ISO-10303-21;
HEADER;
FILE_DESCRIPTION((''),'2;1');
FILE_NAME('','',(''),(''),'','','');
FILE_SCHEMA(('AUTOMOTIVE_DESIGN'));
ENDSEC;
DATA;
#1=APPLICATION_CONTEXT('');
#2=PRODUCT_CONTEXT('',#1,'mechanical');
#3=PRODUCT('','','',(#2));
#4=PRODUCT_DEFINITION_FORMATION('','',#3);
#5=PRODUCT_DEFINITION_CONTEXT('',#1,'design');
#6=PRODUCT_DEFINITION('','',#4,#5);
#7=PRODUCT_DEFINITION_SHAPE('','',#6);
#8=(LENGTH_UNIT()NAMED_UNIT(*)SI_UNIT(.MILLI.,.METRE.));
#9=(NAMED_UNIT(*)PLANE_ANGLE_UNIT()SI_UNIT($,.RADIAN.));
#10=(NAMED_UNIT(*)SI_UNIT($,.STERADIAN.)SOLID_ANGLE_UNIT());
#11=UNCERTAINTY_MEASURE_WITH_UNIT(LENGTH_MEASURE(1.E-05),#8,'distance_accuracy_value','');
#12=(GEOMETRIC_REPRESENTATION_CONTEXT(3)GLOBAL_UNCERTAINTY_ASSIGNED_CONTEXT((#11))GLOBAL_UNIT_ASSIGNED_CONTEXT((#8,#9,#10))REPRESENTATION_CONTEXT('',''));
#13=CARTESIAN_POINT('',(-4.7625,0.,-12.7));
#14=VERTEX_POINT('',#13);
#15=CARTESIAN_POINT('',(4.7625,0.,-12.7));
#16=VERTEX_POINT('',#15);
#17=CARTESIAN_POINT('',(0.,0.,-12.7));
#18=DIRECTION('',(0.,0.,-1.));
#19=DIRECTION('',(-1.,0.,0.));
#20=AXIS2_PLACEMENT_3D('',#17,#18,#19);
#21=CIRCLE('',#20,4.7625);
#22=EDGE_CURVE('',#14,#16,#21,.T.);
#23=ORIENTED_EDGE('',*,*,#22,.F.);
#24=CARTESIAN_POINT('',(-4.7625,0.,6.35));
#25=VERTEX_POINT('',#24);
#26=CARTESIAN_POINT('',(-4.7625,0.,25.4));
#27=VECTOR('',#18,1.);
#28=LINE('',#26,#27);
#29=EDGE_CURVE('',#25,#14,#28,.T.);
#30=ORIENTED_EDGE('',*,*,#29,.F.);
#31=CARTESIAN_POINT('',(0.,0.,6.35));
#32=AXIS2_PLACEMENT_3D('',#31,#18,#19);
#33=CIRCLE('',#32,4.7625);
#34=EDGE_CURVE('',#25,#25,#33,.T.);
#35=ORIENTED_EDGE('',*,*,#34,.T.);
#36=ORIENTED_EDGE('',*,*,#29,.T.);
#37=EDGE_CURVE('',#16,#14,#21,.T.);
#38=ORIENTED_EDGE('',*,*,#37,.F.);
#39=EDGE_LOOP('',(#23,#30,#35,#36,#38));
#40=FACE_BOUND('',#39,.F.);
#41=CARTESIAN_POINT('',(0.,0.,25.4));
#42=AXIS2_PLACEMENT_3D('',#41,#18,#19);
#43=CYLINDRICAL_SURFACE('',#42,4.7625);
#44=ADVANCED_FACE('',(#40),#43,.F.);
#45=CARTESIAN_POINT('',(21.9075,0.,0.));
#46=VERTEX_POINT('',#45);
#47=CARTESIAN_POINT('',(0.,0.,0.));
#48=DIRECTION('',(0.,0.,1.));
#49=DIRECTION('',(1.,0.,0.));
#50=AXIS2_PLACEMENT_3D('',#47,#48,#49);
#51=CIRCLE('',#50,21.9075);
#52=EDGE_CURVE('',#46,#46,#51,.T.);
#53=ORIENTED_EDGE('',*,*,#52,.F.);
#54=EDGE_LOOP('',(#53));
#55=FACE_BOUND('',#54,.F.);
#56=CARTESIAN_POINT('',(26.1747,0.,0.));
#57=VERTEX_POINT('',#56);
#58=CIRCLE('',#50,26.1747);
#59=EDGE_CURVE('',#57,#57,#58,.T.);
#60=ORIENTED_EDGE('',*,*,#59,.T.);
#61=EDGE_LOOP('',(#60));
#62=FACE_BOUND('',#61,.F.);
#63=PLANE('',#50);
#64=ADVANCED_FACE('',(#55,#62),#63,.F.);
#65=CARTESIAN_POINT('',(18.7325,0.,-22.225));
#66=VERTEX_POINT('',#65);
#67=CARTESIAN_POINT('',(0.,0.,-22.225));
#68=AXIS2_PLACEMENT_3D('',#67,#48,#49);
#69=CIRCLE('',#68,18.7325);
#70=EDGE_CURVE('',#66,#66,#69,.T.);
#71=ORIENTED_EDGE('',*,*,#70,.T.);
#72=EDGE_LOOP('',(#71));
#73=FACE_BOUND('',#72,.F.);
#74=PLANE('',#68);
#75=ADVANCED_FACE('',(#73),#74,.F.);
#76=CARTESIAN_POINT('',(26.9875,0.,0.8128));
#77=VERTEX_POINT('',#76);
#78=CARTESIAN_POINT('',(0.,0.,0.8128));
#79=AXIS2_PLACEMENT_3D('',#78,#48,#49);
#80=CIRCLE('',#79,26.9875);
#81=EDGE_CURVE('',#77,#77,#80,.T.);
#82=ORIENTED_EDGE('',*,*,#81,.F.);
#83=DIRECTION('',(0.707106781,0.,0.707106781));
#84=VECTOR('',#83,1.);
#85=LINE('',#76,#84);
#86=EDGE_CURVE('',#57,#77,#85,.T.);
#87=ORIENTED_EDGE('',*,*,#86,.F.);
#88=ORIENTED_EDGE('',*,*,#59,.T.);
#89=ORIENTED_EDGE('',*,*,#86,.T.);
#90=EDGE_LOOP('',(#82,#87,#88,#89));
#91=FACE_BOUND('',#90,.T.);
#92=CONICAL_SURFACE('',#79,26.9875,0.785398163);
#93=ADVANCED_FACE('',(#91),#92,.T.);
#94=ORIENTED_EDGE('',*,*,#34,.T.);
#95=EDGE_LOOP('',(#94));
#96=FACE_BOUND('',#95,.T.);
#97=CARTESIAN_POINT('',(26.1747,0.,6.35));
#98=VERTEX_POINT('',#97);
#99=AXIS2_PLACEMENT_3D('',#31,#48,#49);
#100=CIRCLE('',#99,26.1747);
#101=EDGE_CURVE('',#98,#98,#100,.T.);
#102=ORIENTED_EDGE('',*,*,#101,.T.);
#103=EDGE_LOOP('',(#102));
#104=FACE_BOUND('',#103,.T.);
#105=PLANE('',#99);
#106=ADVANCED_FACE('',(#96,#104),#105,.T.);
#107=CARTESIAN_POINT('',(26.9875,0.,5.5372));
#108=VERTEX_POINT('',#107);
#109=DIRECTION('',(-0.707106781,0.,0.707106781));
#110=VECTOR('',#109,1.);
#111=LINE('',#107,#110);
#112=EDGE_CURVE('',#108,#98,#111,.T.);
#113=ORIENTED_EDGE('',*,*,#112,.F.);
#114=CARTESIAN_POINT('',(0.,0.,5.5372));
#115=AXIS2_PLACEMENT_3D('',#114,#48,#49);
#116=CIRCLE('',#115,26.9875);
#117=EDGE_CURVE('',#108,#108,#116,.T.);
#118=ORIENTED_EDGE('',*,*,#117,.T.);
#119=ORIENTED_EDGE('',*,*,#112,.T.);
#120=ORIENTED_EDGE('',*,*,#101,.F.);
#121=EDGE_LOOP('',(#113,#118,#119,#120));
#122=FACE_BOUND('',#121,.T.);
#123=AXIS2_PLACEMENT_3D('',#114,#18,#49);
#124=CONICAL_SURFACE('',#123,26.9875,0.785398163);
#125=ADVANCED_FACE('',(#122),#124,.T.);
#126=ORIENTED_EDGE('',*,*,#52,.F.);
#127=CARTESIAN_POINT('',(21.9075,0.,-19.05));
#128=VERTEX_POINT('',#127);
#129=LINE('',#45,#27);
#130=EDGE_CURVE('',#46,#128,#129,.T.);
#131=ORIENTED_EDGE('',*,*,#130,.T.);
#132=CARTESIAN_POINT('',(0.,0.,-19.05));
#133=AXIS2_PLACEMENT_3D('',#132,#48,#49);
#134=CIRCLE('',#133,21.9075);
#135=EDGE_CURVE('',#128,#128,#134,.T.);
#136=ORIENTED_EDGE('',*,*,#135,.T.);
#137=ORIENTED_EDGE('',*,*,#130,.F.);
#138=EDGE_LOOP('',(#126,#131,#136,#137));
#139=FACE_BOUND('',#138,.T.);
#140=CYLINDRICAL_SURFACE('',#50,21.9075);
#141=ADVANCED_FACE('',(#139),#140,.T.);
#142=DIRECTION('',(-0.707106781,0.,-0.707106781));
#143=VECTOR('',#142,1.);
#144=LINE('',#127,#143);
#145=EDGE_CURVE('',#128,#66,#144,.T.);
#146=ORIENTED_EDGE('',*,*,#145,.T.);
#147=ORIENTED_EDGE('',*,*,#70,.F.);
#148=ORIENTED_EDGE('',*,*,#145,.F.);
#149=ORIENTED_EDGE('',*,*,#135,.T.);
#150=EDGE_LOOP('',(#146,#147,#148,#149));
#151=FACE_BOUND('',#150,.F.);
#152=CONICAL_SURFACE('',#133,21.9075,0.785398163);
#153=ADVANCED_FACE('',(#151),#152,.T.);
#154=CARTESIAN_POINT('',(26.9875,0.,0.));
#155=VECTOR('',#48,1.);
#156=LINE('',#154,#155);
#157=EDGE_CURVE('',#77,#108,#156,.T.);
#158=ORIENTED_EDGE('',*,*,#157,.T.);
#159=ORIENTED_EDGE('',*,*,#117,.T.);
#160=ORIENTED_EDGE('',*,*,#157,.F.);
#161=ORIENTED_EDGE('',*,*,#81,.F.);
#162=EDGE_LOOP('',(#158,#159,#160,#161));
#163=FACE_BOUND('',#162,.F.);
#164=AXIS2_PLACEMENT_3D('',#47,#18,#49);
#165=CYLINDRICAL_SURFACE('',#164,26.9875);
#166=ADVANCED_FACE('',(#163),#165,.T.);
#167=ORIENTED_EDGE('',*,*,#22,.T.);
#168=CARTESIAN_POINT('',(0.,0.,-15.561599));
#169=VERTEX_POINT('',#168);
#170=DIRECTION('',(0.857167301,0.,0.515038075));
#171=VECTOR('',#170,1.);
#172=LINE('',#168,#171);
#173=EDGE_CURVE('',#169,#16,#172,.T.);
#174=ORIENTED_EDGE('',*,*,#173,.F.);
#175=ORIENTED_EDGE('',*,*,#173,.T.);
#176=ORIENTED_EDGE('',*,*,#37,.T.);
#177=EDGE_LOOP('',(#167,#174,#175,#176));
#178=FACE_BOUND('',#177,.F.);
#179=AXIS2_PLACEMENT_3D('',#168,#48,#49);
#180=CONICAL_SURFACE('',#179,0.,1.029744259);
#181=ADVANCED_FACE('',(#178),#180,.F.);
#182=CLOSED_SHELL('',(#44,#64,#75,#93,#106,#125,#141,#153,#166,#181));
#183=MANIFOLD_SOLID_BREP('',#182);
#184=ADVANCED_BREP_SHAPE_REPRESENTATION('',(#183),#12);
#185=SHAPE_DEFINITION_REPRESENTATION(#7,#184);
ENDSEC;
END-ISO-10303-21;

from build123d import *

# Parameters (mm, degrees)
F0_R     = 21.9075
F1_DEPTH = 22.225
F0_R_2   = 26.9875
F2_DEPTH = 6.35
F3_SIZE  = 3.175
F4_SIZE  = 0.8128
F6_D     = 9.525
F6_DEPTH = 19.05
F6_TIP   = 2.8615986981


with BuildPart() as f1:
    # F0 (on Top) → F1 (new body)
    with BuildSketch(Plane.XY):
        Circle(F0_R)
    extrude(amount=-F1_DEPTH)

    # F0 (on Top) → F2 (join)
    with BuildSketch(Plane.XY):
        Circle(F0_R_2)
        Circle(F0_R, mode=Mode.SUBTRACT)
        Circle(F0_R)
    extrude(amount=F2_DEPTH)

    # F3
    f3_edges = [f1.edges().sort_by_distance(p)[0] for p in [
        (-21.9075, 0, -22.225),
    ]]
    chamfer(f3_edges, length=F3_SIZE)

    # F4
    f4_edges = [f1.edges().sort_by_distance(p)[0] for p in [
        (-26.9875, 0, 0),
        (-26.9875, 0, 6.35),
    ]]
    chamfer(f4_edges, length=F4_SIZE)

    # F6
    with Locations(Plane.XY.offset(6.35)):
        with Locations((0, 0)):
            Hole(F6_D / 2, depth=F6_DEPTH)
            with Locations((0, 0, -(F6_DEPTH + F6_TIP / 2))):  # 118° drill point
                Cone(0, F6_D / 2, F6_TIP, mode=Mode.SUBTRACT)


solid = f1.part
